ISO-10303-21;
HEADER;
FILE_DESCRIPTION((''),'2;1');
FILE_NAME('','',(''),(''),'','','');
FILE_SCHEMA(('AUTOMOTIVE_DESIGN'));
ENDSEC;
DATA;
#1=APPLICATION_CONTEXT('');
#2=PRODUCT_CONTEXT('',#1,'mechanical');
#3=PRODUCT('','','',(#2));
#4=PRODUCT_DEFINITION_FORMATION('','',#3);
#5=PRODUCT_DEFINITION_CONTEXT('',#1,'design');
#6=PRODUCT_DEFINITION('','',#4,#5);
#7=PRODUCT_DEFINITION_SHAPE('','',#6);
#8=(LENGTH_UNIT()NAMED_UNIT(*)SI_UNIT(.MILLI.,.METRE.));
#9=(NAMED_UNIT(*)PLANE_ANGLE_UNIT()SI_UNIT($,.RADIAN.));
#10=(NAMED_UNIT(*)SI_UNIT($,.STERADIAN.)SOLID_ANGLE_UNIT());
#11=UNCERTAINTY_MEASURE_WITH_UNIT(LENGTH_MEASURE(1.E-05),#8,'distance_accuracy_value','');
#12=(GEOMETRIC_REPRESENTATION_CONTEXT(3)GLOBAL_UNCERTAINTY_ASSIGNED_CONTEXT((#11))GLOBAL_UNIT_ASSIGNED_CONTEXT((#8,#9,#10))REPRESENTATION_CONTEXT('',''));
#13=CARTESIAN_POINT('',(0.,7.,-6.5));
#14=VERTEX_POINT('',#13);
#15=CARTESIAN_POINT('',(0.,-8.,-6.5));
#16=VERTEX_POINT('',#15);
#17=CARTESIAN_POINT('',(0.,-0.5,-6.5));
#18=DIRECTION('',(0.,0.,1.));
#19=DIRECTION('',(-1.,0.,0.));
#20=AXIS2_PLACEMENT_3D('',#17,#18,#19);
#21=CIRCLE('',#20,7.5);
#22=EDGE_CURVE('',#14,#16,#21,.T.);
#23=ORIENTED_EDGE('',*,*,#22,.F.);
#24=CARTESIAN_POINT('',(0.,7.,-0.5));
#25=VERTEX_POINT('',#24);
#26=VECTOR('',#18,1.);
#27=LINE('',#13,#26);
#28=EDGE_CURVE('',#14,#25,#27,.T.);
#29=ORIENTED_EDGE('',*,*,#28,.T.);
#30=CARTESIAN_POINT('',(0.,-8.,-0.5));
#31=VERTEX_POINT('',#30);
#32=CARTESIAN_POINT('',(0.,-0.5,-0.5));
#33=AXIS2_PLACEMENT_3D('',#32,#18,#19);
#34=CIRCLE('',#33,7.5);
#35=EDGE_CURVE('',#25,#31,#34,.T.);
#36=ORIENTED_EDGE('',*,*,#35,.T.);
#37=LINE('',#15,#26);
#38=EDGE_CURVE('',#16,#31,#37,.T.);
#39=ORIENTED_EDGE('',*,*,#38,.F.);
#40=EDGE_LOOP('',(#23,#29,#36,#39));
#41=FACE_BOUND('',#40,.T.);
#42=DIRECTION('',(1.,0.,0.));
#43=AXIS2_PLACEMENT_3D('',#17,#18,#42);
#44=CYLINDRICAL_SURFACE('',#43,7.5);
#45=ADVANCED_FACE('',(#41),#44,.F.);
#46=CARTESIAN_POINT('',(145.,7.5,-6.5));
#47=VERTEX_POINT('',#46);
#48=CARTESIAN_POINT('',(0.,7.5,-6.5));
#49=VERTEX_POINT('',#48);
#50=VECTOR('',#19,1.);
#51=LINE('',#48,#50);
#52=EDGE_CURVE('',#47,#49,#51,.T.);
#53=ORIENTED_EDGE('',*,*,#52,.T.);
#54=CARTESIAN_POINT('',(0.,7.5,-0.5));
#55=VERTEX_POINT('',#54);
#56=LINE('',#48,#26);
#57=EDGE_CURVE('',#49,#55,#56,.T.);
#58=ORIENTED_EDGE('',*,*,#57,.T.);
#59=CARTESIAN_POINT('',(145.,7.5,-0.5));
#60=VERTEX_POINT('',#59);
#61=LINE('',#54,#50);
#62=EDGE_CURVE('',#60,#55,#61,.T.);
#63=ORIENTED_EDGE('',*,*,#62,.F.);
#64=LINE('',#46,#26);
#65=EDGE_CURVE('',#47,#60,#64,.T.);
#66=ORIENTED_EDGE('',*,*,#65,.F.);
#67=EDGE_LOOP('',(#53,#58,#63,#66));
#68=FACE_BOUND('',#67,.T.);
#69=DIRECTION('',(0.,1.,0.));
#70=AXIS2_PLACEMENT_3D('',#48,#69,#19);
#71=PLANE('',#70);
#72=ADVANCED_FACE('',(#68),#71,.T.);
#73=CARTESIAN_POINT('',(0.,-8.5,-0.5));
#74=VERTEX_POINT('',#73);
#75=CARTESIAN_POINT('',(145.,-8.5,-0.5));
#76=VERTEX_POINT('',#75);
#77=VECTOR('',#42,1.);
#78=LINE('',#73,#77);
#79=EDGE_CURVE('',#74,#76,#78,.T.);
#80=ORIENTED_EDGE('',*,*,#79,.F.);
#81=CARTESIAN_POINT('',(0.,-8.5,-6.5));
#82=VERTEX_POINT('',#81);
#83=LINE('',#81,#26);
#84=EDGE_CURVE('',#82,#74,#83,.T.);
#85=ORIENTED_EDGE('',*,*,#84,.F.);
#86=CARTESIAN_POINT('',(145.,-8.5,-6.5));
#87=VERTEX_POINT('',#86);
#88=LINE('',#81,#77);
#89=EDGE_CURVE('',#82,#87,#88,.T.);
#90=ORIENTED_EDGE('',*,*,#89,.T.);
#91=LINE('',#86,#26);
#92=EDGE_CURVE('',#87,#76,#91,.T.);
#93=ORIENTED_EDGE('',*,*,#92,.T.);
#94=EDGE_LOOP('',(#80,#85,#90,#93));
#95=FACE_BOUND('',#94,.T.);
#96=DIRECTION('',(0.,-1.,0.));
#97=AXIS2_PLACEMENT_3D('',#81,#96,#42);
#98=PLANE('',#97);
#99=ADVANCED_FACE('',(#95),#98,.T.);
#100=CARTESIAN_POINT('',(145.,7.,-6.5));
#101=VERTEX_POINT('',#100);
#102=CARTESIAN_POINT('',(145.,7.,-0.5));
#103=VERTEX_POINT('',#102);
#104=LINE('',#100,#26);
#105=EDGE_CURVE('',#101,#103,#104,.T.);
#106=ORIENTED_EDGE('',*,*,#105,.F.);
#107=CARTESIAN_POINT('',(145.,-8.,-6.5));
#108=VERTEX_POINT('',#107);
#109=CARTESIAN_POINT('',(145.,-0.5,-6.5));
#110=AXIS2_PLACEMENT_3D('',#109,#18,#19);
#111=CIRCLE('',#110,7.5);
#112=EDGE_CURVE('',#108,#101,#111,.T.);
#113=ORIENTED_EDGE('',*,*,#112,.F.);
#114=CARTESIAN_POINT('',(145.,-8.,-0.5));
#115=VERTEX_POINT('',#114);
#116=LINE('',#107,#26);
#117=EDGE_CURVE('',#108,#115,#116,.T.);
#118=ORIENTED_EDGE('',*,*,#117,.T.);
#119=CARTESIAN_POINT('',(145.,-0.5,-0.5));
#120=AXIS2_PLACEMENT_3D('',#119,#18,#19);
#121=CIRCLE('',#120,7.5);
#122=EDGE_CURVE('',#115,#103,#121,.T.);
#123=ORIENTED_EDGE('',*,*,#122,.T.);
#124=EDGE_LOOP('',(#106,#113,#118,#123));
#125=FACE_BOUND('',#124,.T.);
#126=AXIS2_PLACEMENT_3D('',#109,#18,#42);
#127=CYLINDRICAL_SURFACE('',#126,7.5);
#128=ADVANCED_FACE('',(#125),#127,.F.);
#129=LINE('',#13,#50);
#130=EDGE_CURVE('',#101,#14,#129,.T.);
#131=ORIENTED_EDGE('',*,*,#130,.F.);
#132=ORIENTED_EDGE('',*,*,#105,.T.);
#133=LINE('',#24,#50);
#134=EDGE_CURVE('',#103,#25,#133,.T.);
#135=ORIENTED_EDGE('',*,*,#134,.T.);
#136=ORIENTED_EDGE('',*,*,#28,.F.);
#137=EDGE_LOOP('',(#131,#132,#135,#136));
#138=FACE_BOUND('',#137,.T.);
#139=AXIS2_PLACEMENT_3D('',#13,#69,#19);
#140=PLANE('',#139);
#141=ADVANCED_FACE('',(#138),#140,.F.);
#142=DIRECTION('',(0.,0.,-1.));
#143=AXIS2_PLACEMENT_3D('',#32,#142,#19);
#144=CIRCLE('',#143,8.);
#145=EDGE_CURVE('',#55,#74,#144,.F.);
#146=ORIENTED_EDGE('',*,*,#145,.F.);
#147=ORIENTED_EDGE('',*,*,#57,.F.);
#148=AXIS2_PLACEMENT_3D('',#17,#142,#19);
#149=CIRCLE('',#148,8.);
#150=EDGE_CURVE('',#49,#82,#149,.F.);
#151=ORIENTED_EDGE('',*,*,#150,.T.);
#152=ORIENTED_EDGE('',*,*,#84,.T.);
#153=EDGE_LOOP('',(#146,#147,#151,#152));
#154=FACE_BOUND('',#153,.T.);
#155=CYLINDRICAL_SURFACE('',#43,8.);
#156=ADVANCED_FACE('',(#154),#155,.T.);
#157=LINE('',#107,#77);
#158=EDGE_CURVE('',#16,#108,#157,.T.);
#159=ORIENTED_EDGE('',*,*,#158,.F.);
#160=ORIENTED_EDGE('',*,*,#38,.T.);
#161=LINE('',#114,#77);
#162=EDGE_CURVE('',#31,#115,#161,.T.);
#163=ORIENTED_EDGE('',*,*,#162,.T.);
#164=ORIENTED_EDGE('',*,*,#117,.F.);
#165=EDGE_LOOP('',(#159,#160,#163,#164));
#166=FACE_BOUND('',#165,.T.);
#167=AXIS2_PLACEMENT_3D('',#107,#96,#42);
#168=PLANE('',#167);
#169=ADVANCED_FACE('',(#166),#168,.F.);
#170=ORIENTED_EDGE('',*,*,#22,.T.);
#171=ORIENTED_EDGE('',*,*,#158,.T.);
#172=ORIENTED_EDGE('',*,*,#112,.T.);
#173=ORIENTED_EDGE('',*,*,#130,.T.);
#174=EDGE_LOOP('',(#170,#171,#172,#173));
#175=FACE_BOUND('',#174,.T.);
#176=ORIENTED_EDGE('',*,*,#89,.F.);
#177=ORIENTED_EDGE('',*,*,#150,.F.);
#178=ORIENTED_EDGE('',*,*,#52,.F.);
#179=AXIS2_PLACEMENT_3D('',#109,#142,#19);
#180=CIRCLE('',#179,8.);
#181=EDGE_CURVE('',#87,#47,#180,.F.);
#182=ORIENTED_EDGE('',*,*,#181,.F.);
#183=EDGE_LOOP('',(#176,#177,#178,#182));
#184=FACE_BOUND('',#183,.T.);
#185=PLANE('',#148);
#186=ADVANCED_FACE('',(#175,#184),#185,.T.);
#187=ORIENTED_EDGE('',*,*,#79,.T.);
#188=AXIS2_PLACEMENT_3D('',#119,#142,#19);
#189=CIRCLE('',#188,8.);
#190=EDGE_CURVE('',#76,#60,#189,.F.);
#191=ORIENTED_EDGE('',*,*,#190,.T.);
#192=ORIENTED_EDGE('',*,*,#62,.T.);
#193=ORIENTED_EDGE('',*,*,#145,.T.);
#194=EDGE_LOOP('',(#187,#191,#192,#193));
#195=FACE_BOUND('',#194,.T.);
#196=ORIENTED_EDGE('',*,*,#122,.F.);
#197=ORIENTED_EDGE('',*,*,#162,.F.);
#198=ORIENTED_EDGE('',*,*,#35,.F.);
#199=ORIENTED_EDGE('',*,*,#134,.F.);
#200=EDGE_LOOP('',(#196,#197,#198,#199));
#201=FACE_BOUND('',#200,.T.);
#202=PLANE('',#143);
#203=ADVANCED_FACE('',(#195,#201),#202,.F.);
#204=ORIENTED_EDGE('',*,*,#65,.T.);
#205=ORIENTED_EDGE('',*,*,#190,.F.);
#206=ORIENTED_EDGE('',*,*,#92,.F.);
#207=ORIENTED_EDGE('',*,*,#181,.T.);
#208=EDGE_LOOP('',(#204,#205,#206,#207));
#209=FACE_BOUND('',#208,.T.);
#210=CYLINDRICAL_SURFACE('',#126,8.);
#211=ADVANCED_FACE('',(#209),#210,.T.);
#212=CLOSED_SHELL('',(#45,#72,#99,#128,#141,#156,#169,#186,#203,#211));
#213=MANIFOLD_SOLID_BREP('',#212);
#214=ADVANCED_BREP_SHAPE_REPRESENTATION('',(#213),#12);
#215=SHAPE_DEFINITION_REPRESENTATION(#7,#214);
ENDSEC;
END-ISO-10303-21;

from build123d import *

# Parameters (mm, degrees)
EXTRUDE_THIN1_START = -0.5
EXTRUDE_THIN1_DEPTH = 6


with BuildPart() as part:
    # Sketch2 → Extrude-Thin1 (new body)
    with BuildSketch(Plane.XY.offset(EXTRUDE_THIN1_START)):
        with BuildLine():
            Line((145, -8.5), (0, -8.5))
            ThreePointArc((0, -8.5), (-8, -0.5), (0, 7.5))
            Line((0, 7.5), (145, 7.5))
            ThreePointArc((145, 7.5), (153, -0.5), (145, -8.5))
        make_face()
        with BuildLine():
            Line((145, -8), (0, -8))
            ThreePointArc((0, -8), (-7.5, -0.5), (0, 7))
            Line((0, 7), (145, 7))
            ThreePointArc((145, 7), (152.5, -0.5), (145, -8))
        make_face(mode=Mode.SUBTRACT)
    extrude(amount=-EXTRUDE_THIN1_DEPTH)


solid = part.part
